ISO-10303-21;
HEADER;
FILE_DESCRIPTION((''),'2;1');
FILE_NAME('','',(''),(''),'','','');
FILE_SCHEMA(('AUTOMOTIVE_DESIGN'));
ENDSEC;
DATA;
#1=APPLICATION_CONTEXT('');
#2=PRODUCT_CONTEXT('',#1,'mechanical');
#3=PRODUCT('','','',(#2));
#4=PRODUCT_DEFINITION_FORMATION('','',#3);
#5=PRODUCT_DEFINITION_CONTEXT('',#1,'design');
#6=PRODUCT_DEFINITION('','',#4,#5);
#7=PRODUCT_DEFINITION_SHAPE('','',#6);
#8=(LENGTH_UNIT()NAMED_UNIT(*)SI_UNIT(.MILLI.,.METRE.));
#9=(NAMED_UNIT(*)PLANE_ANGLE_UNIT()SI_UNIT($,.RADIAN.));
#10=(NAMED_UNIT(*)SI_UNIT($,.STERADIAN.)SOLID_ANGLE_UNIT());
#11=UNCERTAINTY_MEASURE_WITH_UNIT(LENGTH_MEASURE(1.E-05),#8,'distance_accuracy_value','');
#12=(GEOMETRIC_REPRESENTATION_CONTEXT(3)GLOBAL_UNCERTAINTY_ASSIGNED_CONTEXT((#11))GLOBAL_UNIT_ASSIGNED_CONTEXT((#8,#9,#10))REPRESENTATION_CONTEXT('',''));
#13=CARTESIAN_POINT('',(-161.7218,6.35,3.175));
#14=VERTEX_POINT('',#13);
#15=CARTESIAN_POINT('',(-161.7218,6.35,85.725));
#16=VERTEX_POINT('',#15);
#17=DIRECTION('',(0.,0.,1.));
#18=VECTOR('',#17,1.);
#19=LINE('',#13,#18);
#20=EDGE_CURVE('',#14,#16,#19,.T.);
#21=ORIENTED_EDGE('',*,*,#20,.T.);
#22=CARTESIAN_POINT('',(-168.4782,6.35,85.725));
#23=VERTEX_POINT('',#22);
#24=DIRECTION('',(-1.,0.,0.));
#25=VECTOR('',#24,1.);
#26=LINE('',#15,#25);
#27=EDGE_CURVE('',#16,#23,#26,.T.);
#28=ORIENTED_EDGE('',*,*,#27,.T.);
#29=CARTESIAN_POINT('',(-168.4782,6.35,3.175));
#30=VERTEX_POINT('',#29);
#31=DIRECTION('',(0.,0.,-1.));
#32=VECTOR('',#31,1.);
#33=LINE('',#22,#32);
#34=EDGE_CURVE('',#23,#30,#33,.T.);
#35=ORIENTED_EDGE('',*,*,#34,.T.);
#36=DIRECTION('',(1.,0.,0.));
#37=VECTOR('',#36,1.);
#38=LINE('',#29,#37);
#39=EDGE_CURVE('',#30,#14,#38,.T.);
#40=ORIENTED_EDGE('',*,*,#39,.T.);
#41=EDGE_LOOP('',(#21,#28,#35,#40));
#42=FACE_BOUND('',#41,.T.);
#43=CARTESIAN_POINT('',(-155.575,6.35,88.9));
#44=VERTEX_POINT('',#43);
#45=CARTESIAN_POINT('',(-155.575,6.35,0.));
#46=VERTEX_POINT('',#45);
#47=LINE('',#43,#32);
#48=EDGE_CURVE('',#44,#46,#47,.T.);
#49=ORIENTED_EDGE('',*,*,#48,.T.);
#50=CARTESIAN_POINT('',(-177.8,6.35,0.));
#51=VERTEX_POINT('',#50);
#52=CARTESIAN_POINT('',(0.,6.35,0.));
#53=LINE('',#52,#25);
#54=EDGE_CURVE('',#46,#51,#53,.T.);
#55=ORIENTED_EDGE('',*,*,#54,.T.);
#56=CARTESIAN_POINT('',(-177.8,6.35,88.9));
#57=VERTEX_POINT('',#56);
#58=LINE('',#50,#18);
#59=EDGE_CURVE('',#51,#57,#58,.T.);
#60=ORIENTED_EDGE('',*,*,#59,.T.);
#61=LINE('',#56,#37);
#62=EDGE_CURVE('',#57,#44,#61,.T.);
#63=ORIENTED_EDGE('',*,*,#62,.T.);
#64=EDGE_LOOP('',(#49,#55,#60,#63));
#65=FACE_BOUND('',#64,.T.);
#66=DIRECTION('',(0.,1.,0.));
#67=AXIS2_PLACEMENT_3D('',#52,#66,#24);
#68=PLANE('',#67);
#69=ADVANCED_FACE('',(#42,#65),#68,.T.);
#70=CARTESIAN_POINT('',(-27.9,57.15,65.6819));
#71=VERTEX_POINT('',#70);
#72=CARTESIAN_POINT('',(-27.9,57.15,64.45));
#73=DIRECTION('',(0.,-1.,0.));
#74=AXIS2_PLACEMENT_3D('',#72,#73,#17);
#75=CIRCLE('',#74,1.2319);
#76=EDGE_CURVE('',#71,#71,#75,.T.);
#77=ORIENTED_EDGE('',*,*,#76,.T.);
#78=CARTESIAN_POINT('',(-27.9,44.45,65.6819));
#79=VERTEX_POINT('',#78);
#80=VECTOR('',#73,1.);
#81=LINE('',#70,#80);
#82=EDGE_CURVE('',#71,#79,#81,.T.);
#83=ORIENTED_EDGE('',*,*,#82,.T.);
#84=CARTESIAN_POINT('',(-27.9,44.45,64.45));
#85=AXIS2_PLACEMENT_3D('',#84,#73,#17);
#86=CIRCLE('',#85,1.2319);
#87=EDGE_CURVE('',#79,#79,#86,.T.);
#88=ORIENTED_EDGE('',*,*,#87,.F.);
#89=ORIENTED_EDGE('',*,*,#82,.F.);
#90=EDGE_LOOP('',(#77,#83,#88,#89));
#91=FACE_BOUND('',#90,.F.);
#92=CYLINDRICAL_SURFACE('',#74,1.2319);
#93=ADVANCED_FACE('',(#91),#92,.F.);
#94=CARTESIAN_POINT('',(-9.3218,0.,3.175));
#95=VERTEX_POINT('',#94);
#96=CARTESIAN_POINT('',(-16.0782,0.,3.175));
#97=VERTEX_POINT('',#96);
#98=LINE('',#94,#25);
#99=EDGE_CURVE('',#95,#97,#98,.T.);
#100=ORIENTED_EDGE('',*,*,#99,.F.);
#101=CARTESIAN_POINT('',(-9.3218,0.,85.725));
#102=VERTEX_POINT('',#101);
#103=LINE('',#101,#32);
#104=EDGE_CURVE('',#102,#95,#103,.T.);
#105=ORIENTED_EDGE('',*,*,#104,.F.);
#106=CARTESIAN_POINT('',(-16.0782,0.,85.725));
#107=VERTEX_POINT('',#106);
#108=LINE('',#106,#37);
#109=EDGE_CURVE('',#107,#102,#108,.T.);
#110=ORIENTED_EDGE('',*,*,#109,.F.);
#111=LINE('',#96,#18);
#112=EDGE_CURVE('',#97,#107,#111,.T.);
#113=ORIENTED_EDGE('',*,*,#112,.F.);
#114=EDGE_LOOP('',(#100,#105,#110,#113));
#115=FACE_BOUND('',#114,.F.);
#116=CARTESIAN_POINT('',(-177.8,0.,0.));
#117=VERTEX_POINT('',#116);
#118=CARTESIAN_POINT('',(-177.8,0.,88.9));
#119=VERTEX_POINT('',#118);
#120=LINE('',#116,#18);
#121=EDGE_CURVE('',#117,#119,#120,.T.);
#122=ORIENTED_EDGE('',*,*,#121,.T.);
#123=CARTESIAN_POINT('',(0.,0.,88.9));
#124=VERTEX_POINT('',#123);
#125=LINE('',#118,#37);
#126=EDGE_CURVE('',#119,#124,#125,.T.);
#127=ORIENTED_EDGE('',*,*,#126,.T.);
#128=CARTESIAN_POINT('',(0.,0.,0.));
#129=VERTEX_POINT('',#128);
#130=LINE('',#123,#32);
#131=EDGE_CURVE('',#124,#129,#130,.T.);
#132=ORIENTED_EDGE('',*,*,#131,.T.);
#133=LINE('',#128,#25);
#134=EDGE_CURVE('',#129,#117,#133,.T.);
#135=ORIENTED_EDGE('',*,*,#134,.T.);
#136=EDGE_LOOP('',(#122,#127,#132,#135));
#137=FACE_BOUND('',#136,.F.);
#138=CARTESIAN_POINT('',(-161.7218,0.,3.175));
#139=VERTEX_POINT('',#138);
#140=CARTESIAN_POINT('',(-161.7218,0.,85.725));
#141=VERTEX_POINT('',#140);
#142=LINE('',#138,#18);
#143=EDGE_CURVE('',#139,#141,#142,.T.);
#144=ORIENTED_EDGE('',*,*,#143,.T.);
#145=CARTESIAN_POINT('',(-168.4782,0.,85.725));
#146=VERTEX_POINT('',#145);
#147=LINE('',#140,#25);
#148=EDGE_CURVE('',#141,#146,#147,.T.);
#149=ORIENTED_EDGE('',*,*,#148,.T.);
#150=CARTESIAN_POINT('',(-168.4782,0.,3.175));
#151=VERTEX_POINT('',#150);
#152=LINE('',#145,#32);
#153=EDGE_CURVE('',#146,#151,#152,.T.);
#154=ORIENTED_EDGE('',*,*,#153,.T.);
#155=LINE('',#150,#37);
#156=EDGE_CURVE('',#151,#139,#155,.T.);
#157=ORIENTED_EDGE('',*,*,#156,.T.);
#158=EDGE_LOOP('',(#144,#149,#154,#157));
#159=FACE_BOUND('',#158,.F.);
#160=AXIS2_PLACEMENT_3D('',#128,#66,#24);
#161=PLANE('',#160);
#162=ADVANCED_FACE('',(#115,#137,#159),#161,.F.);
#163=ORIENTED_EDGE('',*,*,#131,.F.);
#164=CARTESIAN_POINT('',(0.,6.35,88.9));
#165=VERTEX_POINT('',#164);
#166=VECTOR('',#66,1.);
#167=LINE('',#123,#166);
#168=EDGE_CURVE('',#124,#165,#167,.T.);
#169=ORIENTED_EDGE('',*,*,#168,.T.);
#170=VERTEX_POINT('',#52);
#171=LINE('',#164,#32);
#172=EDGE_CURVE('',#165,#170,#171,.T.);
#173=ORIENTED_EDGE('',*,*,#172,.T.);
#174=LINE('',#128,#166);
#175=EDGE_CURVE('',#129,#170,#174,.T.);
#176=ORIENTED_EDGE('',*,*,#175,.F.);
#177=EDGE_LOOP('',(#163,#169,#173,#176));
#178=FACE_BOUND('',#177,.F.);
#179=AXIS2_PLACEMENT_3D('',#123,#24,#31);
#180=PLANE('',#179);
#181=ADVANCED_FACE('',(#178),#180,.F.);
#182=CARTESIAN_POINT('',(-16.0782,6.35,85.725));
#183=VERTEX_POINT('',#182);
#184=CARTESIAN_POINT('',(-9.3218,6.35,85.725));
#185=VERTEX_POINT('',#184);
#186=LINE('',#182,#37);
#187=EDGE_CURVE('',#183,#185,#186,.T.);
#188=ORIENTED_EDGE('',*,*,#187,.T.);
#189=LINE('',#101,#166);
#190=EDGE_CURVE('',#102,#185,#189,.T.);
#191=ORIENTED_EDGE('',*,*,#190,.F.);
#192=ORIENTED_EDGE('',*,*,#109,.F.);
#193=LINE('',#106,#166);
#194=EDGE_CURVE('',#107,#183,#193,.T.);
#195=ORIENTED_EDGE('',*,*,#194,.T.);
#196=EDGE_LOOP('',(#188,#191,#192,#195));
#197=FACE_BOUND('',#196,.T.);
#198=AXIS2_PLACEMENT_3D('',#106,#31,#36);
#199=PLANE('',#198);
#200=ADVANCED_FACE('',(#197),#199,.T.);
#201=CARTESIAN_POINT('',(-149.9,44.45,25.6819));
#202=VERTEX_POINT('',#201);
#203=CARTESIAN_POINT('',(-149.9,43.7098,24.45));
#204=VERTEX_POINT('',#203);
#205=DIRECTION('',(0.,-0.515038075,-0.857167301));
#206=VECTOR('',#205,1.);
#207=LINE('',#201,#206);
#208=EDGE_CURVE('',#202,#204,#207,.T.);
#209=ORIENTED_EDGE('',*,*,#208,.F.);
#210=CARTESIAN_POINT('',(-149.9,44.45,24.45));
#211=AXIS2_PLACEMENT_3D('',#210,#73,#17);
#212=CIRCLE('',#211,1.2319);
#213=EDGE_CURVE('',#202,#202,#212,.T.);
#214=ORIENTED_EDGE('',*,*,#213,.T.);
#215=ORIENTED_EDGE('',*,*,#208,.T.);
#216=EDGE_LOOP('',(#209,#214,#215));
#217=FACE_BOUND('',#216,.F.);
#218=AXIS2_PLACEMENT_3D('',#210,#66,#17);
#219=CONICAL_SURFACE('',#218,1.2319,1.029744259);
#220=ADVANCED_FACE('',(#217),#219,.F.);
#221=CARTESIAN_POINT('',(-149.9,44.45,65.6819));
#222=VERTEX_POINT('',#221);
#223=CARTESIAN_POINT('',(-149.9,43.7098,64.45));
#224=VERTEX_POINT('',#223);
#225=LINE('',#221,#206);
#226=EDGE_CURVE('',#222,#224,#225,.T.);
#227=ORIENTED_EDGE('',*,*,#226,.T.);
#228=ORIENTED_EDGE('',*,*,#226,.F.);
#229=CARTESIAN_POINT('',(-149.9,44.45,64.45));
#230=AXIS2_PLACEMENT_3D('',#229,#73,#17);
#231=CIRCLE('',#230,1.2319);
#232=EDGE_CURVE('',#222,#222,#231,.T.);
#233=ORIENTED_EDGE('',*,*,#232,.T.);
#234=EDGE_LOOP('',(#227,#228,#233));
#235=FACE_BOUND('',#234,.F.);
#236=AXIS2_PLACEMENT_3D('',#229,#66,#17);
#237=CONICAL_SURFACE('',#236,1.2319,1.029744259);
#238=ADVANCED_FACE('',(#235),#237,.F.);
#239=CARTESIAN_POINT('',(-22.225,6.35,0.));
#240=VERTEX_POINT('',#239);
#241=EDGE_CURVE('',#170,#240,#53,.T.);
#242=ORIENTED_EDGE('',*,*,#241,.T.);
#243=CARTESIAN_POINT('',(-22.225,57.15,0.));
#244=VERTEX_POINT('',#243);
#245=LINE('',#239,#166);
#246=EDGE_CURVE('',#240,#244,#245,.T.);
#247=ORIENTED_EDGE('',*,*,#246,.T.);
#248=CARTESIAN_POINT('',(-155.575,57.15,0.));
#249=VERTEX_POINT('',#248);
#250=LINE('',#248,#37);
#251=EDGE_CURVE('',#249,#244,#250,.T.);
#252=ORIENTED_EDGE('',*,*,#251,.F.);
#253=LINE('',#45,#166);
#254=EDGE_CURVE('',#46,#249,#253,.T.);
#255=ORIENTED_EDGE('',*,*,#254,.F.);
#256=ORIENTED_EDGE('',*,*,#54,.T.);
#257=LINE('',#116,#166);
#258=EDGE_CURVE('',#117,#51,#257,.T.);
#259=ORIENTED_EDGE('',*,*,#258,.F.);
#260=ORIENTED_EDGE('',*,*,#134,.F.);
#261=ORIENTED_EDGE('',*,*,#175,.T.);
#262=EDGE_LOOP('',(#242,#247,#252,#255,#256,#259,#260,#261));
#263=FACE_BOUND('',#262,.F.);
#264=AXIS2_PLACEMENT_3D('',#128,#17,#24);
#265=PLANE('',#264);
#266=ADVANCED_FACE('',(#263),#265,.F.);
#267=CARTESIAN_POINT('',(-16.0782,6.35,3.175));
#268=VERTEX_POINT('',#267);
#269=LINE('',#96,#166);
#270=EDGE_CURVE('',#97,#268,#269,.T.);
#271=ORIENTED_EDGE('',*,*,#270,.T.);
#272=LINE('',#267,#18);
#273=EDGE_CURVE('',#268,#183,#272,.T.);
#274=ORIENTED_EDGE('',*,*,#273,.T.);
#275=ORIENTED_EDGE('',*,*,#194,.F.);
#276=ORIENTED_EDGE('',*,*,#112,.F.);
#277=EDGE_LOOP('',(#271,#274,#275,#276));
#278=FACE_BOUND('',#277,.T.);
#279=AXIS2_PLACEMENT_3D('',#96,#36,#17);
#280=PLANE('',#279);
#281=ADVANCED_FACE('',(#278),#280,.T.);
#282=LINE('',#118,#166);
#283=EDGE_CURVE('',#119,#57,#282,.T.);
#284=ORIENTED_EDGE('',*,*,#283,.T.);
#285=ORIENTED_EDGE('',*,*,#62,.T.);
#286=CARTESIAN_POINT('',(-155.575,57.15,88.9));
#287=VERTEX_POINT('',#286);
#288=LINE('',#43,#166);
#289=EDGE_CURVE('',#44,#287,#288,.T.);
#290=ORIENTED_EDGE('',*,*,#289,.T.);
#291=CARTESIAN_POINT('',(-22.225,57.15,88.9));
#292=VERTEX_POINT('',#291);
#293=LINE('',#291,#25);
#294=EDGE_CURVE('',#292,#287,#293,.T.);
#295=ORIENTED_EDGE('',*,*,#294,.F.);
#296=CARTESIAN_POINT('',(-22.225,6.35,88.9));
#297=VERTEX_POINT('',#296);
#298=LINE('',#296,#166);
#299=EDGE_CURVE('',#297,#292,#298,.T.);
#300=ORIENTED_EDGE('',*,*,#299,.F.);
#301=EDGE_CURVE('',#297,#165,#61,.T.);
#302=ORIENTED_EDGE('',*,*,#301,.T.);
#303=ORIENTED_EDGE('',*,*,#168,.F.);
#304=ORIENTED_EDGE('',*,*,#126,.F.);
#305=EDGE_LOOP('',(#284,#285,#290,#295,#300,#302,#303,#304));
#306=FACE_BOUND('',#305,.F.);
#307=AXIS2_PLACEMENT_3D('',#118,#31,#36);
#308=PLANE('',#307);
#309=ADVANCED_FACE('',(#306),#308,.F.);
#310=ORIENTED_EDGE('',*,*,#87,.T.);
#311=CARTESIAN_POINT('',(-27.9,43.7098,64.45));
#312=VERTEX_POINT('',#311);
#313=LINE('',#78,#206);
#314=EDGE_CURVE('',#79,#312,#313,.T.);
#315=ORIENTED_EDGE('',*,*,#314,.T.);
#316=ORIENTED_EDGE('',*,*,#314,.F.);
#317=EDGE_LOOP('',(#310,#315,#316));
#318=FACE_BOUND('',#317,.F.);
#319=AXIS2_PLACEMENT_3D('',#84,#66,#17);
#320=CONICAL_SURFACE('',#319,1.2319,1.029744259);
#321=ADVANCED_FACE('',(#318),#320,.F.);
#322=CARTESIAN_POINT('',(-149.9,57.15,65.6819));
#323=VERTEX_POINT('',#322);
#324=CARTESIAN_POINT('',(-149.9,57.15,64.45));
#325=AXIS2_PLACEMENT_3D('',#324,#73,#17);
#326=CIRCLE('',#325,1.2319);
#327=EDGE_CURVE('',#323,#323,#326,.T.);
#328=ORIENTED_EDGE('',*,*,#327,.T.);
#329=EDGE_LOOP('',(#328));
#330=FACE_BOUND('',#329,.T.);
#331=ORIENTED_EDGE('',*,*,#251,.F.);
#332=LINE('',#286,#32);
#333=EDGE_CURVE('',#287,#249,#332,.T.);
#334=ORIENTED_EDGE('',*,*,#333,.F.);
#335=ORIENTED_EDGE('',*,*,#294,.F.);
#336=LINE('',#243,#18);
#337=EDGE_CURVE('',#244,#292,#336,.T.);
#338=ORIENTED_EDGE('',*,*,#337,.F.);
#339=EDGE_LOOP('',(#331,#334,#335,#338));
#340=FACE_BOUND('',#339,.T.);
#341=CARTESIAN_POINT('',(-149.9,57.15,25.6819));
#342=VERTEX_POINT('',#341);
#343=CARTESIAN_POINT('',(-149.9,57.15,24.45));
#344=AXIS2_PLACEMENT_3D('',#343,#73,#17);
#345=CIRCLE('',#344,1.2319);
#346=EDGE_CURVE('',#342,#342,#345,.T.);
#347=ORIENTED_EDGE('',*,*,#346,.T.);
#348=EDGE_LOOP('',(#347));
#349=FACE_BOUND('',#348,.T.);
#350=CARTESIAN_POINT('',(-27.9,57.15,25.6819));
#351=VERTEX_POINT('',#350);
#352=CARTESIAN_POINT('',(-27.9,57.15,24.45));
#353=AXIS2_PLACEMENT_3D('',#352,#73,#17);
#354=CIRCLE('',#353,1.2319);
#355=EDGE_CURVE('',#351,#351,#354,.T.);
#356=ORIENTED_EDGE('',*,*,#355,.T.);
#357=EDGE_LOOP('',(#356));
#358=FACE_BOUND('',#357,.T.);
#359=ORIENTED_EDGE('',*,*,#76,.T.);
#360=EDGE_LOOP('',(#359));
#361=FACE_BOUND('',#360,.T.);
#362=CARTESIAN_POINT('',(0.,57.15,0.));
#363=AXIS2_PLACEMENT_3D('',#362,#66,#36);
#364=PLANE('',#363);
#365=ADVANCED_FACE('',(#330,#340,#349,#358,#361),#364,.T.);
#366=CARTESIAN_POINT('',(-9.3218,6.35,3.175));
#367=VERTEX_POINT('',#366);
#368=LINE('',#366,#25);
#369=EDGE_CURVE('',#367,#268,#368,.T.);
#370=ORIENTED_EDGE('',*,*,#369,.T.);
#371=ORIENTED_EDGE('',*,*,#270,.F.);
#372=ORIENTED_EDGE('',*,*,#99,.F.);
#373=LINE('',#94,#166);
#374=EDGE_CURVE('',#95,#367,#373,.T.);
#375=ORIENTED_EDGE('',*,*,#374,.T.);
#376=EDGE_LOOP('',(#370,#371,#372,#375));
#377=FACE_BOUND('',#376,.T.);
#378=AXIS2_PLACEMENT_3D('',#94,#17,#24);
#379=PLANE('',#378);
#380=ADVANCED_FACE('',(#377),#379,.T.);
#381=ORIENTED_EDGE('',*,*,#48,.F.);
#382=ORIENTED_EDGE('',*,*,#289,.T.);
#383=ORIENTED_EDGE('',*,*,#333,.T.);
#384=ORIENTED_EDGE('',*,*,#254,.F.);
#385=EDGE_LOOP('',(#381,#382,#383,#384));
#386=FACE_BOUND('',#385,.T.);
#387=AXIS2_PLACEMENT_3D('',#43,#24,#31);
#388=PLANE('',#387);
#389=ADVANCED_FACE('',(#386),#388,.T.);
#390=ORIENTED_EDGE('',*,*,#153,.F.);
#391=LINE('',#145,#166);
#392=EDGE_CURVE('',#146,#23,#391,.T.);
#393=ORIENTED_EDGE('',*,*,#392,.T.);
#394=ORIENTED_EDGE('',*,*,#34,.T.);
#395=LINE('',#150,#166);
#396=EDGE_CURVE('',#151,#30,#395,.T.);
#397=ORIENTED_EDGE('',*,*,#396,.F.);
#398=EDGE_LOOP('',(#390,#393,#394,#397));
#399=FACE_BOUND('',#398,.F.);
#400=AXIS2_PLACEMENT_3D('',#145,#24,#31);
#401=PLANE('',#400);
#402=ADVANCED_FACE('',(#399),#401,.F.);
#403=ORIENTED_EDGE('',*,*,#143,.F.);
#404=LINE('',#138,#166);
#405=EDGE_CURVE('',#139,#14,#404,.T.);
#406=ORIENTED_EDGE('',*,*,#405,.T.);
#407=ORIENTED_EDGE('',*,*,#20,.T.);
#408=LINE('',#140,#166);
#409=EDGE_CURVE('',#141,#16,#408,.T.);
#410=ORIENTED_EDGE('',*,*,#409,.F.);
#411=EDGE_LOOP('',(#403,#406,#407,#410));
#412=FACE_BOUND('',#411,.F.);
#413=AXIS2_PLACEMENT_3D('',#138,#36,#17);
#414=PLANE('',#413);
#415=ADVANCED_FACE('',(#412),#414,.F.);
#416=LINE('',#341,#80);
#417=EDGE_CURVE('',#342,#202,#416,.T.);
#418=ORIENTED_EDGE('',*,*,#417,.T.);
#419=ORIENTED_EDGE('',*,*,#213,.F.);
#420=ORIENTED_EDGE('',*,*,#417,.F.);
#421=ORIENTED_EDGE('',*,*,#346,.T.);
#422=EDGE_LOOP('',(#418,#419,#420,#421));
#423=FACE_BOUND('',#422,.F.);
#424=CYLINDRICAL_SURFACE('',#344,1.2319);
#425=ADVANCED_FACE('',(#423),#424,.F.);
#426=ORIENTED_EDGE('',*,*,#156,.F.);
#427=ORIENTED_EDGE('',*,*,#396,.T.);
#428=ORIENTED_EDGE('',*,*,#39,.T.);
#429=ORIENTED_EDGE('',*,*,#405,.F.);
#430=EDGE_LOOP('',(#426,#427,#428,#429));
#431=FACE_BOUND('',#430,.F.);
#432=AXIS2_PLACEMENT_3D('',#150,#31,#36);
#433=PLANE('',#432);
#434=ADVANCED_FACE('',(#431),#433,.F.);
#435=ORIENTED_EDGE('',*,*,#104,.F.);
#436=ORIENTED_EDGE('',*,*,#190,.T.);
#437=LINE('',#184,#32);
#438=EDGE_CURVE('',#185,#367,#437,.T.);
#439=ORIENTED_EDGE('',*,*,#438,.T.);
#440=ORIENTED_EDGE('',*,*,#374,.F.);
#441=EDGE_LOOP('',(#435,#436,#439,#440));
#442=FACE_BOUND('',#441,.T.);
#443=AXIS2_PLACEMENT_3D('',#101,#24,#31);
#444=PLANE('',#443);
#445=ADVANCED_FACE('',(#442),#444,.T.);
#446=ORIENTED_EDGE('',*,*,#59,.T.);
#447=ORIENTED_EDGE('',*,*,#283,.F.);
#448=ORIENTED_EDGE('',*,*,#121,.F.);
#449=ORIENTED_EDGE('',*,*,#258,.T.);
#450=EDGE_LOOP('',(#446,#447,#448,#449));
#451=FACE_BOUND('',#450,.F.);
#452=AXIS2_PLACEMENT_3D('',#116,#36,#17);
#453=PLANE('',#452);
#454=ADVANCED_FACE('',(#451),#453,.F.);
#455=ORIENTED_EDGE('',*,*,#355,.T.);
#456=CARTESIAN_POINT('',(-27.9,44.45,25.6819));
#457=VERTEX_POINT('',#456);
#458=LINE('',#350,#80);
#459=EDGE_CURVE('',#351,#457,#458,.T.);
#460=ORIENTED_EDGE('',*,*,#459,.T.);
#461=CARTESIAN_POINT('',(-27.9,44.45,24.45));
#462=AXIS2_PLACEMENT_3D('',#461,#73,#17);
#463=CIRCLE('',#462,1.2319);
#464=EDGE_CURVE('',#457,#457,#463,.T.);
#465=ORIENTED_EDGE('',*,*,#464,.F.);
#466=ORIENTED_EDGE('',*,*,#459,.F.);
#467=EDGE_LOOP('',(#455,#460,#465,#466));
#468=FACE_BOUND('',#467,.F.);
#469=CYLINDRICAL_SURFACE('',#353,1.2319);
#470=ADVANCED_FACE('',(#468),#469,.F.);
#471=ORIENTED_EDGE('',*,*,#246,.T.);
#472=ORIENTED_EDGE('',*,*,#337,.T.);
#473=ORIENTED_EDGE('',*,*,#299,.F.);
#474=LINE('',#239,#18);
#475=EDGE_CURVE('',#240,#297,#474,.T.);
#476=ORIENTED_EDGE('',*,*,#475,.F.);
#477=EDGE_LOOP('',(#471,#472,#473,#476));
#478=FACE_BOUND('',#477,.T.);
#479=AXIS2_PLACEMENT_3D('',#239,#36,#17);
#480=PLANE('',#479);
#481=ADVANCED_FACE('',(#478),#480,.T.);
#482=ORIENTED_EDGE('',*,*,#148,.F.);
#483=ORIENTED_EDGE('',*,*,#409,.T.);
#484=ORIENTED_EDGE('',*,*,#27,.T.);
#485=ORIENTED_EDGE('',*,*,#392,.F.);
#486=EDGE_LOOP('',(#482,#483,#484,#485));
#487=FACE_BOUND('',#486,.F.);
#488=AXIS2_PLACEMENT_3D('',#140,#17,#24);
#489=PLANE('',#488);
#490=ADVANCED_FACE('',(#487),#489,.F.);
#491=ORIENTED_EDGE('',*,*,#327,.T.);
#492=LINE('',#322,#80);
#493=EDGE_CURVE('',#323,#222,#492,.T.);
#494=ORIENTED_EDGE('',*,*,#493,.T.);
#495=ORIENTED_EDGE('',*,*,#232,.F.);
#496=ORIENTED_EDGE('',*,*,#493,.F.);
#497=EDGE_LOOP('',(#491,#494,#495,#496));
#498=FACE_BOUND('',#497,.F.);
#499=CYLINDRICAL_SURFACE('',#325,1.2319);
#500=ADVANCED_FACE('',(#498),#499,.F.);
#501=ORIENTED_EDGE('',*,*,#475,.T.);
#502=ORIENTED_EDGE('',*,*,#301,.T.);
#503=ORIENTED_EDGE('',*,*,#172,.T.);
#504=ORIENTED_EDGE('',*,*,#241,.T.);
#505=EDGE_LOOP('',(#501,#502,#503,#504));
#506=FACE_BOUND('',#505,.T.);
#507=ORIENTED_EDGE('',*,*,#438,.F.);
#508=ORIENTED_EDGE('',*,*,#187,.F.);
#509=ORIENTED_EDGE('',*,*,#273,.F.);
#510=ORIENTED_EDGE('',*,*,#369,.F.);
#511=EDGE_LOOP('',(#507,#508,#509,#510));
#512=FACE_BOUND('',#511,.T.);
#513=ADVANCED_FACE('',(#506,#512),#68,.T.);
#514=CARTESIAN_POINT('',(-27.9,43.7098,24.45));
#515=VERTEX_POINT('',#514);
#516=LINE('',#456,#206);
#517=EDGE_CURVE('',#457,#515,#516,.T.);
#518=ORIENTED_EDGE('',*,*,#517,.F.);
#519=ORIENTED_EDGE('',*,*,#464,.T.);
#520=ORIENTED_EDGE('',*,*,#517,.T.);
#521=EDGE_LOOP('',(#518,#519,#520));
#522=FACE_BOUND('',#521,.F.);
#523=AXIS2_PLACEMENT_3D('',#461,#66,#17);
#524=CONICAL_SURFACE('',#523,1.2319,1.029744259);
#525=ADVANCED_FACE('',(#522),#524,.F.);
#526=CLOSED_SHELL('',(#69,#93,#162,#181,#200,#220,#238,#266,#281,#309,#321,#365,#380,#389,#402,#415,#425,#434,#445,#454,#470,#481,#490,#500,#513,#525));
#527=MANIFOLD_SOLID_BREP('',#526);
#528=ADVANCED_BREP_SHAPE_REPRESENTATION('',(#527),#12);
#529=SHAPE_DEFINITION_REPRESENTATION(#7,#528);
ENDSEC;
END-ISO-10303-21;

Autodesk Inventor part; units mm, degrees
ref_plane "YZ Plane" through (0, 0, 0) normal (1, 0, 0) x (0, 1, 0)
ref_plane "XZ Plane" through (0, 0, 0) normal (0, 1, 0) x (-1, 0, 0)
ref_plane "XY Plane" through (0, 0, 0) normal (0, 0, 1) x (1, 0, 0)
sketch "Sketch1" plane through (0, 0, 0) normal (0, 1, 0) x (-1, 0, 0)
  line L0 (0, 0) -> (177.8, 0)
  line L1 (177.8, 0) -> (177.8, 88.9)
  line L2 (177.8, 88.9) -> (0, 88.9)
  line L3 (0, 88.9) -> (0, 0)
  line L4 (9.3218, 3.175) -> (16.0782, 3.175)
  line L5 (16.0782, 3.175) -> (16.0782, 85.725)
  line L6 (16.0782, 85.725) -> (9.3218, 85.725)
  line L7 (9.3218, 85.725) -> (9.3218, 3.175)
  line L8 (9.3218, 3.175) -> (16.0782, 85.725) construction
  line L9 (16.0782, 3.175) -> (9.3218, 85.725) construction
  line L10 (168.4782, 3.175) -> (161.7218, 3.175)
  line L11 (161.7218, 3.175) -> (161.7218, 85.725)
  line L12 (161.7218, 85.725) -> (168.4782, 85.725)
  line L13 (168.4782, 85.725) -> (168.4782, 3.175)
  line L14 (168.4782, 3.175) -> (161.7218, 85.725) construction
  line L15 (161.7218, 3.175) -> (168.4782, 85.725) construction
  point P0 (12.7, 44.45)
  point P1 (165.1, 44.45)
  dimension "d0" = 177.8
  dimension "d1" = 88.9
  dimension "d2" = 6.7564
  dimension "d3" = 82.55
  dimension "d4" = 6.7564
  dimension "d5" = 82.55
extrude "Extrusion1" add sketch "Sketch1" along normal blind 6.35
sketch "Sketch2" plane through (0, 6.35, 0) normal (0, 1, 0) x (1, 0, 0)
  line L0 (-155.575, 0) -> (-22.225, 0)
  line L1 (-22.225, 0) -> (-22.225, -88.9)
  line L2 (-22.225, -88.9) -> (-155.575, -88.9)
  line L3 (-155.575, -88.9) -> (-155.575, 0)
  line L4 (-155.575, 0) -> (-22.225, -88.9) construction
  line L5 (-22.225, 0) -> (-155.575, -88.9) construction
  point P0 (-88.9, -44.45)
  dimension "d8" = 133.35
  dimension "d9" = 88.9
extrude "Extrusion2" add sketch "Sketch2" along normal blind 50.8
sketch "Sketch3" plane through (0, 57.15, 0) normal (0, 1, 0) x (1, 0, 0)
  line L0 (-149.9, -64.45) -> (-27.9, -64.45)
  line L1 (-27.9, -64.45) -> (-27.9, -24.45)
  line L2 (-27.9, -24.45) -> (-149.9, -24.45)
  line L3 (-149.9, -24.45) -> (-149.9, -64.45)
  line L4 (-149.9, -64.45) -> (-27.9, -24.45) construction
  line L5 (-27.9, -64.45) -> (-149.9, -24.45) construction
  point P0 (0, 0)
  point P1 (-88.9, -44.45)
  dimension "d12" = 122
  dimension "d13" = 40
hole "Hole1" at (-149.9, 57.15, 24.45) at (-149.9, 57.15, 64.45) at (-27.9, 57.15, 24.45) at (-27.9, 57.15, 64.45) direction (0, -1, 0) diameter 2.4638 depth 12.7 tip angle 118
properties part number "MPB561LaserMount"
